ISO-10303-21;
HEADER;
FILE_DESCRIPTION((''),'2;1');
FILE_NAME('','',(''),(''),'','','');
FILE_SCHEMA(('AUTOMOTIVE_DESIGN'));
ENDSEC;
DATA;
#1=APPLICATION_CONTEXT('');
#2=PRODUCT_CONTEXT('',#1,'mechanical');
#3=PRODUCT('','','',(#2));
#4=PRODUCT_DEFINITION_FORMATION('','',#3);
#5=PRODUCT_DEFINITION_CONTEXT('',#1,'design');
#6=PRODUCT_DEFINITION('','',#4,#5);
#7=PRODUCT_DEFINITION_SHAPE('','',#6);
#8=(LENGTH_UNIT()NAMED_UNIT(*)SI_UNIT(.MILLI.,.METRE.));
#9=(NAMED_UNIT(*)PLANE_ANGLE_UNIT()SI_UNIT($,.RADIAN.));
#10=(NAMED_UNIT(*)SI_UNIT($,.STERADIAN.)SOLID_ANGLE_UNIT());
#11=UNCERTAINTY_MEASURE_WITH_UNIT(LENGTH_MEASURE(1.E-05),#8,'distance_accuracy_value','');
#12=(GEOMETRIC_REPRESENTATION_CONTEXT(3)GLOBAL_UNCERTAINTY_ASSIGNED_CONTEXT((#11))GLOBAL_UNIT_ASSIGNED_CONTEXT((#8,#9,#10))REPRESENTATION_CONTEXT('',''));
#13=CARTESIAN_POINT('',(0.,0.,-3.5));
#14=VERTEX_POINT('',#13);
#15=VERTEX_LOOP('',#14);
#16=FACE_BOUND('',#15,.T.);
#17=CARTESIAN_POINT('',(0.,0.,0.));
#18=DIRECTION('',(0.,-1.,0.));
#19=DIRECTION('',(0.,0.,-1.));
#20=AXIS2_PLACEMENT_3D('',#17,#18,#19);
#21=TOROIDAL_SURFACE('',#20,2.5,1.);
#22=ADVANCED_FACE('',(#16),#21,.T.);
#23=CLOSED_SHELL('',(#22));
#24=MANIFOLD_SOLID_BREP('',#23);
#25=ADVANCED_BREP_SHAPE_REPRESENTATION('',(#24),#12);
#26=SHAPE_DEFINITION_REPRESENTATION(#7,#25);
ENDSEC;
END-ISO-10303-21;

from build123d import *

# Parameters (mm, degrees)
CROQUIS1_R = 1


with BuildPart() as part:
    # Croquis1 → Revolución1 (revolve)
    with BuildSketch(Plane.XY):
        with Locations((2.5, 0)):
            Circle(CROQUIS1_R)
    revolve(axis=Axis((0, 0, 0), (0, 1, 0)))


solid = part.part
